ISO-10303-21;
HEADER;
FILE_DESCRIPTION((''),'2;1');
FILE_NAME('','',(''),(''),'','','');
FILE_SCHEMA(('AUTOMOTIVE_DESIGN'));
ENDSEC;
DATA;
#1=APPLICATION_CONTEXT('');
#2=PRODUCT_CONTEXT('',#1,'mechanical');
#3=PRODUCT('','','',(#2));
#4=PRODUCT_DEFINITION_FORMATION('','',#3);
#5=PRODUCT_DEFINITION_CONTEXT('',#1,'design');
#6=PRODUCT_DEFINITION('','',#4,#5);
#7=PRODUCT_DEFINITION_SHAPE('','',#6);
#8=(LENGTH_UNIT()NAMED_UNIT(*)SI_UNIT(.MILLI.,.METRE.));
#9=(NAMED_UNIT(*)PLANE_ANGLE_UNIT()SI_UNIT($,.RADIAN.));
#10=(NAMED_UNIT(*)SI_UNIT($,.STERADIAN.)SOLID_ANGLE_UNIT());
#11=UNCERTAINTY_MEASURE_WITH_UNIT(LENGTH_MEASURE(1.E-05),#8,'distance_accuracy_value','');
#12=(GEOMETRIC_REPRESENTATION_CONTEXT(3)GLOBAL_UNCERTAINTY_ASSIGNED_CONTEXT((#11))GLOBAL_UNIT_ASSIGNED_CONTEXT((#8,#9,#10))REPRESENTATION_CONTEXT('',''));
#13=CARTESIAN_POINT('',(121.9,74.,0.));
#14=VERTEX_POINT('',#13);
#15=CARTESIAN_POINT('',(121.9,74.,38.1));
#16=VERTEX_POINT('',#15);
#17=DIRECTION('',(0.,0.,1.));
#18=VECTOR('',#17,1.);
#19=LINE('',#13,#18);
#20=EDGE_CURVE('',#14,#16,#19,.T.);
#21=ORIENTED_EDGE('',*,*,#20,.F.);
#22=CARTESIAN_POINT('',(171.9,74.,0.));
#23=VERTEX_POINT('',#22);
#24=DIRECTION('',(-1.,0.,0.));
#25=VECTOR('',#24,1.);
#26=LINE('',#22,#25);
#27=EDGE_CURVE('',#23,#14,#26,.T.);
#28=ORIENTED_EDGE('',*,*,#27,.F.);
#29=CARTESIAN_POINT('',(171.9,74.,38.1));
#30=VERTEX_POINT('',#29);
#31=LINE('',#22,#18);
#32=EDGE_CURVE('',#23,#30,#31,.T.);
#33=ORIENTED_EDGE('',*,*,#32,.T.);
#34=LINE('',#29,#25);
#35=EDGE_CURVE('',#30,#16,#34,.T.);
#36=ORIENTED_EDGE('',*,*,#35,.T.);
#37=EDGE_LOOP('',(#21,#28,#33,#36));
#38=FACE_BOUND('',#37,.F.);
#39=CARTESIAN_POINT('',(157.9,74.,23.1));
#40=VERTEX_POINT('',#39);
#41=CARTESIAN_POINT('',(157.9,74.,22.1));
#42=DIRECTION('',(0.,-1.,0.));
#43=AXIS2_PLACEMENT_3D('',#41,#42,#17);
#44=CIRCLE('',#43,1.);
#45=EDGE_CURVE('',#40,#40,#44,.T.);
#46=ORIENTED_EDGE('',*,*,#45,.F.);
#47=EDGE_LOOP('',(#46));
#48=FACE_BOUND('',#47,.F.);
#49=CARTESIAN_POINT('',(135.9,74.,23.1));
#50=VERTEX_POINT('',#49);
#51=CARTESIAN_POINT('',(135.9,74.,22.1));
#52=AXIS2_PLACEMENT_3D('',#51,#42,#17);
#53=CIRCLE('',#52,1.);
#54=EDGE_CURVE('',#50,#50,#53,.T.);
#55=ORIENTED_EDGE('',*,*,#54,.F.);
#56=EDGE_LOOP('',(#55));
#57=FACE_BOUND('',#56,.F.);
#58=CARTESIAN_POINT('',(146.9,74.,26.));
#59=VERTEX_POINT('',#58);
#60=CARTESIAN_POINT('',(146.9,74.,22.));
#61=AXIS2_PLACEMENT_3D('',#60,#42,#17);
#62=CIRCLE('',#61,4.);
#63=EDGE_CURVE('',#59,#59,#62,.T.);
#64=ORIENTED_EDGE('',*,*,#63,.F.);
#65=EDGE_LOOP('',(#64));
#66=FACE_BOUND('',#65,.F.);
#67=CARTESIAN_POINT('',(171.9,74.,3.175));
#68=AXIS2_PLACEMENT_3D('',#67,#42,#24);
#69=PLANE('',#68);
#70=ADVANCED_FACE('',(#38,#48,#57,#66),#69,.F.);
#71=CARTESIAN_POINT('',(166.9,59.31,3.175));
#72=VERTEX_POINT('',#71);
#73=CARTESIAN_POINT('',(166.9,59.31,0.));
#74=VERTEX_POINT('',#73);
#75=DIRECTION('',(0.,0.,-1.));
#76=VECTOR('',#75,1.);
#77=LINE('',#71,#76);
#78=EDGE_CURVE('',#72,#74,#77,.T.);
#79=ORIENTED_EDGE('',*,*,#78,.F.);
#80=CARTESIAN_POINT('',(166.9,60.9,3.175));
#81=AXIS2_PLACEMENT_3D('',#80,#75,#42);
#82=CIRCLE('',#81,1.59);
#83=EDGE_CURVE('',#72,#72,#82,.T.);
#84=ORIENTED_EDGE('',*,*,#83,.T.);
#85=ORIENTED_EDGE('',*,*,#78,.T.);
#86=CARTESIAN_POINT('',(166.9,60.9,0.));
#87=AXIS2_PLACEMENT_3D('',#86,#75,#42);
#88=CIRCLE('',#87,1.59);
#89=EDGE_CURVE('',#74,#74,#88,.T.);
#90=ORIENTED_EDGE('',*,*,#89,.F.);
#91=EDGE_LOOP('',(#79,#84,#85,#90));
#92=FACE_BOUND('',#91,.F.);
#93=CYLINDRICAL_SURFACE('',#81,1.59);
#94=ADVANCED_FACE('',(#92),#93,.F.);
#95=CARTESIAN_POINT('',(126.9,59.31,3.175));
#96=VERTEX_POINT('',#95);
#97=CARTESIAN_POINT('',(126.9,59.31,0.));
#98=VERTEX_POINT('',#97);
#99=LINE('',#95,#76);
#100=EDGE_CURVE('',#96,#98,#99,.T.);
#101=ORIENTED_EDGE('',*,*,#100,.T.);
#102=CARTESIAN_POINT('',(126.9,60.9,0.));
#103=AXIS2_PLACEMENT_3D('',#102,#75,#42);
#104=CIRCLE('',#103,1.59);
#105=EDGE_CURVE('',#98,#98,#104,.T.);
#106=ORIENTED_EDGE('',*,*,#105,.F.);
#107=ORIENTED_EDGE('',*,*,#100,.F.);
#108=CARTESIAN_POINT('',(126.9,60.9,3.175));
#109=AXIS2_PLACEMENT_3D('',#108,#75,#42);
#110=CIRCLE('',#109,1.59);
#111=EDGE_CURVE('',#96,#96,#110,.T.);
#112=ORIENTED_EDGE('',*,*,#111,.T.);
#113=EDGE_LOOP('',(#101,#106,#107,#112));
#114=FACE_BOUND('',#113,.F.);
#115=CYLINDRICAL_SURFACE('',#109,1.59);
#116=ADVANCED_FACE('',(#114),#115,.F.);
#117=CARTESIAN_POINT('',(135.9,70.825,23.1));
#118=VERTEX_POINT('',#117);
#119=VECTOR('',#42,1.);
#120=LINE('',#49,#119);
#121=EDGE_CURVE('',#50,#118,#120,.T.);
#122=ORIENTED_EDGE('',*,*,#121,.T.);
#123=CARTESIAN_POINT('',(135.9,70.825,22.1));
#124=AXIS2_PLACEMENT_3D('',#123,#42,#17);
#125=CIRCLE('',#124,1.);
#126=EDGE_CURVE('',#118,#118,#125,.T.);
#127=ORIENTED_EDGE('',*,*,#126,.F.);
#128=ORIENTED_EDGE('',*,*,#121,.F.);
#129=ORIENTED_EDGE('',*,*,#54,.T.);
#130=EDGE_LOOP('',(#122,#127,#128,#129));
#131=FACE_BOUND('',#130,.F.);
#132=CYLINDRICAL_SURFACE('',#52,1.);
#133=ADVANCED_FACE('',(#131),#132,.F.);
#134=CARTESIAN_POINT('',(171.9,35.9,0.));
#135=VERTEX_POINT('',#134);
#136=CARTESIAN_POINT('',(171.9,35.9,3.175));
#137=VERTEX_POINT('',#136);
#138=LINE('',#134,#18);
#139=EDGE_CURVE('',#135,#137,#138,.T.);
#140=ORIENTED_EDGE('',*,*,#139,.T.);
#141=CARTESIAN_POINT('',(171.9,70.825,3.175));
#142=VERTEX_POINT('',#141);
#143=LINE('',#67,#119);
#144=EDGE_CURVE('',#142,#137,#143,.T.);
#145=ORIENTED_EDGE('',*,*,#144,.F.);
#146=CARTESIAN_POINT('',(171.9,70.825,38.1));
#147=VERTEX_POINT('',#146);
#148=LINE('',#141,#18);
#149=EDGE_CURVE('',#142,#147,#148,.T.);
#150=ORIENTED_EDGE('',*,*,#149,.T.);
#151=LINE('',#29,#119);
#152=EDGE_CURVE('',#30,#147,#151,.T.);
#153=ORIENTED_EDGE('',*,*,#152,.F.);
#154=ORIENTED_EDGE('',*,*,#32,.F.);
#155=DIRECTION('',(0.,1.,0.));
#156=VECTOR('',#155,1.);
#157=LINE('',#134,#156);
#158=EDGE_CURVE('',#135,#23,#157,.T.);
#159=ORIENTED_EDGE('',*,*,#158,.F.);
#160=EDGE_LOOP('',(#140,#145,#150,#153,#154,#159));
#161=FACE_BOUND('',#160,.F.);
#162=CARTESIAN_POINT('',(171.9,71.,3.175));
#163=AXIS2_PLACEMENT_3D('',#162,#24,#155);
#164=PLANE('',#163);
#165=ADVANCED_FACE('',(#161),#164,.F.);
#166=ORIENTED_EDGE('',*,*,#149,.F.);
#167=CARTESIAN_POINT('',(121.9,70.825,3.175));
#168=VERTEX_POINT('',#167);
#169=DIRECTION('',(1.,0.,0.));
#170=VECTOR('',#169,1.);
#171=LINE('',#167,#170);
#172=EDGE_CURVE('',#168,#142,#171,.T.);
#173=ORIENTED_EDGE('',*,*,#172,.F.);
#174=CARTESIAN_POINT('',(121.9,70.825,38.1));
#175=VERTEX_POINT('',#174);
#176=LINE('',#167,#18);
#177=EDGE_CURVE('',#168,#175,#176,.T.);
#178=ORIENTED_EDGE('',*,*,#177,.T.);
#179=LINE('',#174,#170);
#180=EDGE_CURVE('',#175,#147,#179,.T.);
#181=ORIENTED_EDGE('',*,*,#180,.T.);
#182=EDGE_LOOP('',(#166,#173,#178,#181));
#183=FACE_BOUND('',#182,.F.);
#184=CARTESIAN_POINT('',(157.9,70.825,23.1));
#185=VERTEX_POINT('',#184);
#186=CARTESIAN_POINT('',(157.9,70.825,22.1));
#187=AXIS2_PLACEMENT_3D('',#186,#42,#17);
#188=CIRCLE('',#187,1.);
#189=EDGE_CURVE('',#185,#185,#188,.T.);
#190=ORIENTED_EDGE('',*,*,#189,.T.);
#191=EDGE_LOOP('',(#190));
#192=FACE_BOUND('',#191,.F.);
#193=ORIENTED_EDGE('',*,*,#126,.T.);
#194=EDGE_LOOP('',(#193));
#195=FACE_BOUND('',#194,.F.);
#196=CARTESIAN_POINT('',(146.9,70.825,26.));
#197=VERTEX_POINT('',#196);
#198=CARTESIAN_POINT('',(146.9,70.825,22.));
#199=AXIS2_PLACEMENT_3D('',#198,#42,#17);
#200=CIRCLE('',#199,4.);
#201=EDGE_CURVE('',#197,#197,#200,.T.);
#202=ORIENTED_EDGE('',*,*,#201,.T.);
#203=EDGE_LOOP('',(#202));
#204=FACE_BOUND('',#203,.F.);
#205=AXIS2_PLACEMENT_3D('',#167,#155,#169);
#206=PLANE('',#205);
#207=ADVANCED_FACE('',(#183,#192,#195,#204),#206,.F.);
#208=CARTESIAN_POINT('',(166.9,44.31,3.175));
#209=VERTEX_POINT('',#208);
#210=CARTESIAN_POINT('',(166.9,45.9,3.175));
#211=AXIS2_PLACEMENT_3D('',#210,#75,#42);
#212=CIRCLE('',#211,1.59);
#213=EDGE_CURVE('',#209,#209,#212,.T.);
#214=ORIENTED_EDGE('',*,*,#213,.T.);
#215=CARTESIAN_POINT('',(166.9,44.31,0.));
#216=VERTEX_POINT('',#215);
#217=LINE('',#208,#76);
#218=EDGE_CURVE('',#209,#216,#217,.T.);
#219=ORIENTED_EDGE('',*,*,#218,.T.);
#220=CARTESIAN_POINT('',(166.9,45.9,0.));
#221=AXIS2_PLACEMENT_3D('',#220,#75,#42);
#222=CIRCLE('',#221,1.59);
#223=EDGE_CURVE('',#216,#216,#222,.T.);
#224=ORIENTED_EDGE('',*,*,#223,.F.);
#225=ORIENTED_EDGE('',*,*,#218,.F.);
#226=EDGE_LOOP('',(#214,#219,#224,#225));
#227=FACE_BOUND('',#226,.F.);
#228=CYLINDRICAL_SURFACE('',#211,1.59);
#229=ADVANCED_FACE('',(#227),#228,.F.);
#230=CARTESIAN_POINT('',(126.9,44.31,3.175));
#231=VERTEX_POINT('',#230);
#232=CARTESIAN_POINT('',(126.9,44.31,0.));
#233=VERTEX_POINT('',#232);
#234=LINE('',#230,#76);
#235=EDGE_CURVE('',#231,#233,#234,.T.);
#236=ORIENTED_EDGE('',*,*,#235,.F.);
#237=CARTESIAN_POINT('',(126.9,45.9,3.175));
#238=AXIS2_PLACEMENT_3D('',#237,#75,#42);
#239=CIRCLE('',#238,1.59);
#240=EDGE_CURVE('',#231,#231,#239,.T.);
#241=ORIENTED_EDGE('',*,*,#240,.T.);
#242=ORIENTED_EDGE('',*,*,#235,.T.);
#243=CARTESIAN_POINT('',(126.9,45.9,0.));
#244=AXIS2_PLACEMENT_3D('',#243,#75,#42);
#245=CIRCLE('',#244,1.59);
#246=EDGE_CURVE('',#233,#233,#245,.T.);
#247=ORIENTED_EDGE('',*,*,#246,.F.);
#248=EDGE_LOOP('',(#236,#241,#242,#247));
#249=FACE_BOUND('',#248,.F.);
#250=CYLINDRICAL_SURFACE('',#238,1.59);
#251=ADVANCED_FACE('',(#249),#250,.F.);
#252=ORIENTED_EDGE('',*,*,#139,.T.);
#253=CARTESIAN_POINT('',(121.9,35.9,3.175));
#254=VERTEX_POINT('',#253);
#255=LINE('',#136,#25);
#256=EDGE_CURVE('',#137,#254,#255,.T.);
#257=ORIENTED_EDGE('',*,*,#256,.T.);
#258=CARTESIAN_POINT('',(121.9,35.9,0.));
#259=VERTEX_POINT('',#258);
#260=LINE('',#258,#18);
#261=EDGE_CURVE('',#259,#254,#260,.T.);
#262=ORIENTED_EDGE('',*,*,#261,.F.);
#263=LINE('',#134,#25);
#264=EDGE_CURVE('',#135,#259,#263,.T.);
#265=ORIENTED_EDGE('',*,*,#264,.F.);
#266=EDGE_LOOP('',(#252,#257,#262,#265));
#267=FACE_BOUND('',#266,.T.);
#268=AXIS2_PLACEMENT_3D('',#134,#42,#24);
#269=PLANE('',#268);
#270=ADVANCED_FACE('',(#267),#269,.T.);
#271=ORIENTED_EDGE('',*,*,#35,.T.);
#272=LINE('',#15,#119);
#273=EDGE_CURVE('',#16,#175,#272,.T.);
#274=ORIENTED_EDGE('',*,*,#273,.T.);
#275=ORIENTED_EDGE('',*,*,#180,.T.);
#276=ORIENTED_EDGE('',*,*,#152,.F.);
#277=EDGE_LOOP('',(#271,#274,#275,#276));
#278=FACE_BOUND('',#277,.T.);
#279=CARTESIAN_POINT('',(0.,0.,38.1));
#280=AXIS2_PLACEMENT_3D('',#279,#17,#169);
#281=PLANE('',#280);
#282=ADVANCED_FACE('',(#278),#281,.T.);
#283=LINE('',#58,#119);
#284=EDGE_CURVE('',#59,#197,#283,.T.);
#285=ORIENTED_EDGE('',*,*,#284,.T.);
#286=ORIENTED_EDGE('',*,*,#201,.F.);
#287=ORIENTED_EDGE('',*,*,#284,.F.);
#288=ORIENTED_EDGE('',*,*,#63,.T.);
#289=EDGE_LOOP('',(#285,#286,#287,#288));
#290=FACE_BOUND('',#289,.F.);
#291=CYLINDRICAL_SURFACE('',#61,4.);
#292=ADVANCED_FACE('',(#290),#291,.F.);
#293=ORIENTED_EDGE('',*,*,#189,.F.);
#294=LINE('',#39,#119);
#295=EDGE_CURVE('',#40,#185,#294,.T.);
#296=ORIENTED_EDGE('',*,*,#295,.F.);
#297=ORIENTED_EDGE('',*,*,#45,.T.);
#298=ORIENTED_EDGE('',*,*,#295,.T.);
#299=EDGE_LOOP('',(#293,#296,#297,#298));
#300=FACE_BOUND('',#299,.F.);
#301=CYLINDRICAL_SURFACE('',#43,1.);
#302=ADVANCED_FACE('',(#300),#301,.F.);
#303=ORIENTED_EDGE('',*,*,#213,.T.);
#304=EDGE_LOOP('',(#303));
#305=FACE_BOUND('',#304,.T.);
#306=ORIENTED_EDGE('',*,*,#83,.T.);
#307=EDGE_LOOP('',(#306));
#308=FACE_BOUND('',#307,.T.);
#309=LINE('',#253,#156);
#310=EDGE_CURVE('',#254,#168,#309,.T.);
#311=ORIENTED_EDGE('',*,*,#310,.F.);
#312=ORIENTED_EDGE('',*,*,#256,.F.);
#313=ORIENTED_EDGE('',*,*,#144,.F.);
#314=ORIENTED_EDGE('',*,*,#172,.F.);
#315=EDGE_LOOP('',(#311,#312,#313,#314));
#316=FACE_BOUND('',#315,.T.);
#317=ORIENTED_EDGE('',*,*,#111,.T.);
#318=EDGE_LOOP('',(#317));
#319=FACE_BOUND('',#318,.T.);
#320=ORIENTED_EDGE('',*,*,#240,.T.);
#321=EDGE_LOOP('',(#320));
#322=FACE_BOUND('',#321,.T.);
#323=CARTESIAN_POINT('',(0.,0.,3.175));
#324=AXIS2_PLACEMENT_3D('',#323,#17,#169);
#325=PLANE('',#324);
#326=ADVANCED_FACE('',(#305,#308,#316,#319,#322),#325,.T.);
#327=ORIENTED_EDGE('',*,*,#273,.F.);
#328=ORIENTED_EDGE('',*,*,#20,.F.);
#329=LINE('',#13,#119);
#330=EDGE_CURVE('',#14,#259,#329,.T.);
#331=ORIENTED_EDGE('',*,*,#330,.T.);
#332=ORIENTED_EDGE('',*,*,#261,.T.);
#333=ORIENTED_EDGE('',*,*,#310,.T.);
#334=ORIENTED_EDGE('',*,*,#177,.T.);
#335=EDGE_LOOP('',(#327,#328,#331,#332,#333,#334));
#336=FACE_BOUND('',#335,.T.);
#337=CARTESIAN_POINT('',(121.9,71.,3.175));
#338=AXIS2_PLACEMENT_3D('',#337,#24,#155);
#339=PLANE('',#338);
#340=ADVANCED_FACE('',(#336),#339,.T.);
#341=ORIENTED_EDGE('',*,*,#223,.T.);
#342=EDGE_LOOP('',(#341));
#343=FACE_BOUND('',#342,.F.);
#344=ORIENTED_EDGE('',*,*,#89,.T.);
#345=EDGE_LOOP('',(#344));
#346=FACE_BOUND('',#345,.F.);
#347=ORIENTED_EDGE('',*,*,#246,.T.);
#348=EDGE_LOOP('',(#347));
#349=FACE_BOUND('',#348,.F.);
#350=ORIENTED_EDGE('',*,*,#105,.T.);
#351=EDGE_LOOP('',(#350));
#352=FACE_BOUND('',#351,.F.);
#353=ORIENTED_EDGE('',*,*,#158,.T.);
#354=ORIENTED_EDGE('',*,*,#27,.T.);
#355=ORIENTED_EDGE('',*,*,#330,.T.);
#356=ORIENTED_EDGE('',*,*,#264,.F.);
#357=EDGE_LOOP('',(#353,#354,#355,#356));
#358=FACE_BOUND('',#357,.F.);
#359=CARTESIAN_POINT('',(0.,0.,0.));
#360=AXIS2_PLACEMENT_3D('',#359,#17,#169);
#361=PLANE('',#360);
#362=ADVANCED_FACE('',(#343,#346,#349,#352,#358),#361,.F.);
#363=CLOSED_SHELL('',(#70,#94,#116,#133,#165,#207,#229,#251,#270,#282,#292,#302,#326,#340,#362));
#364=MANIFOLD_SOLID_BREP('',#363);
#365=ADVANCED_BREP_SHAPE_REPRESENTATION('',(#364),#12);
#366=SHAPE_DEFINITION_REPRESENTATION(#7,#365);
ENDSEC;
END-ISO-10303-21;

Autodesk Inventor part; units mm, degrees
ref_plane "YZ Plane" through (0, 0, 0) normal (1, 0, 0) x (0, 1, 0)
ref_plane "XZ Plane" through (0, 0, 0) normal (0, 1, 0) x (-1, 0, 0)
ref_plane "XY Plane" through (0, 0, 0) normal (0, 0, 1) x (1, 0, 0)
sketch "Sketch1" plane through (0, 0, 0) normal (0, 0, 1) x (1, 0, 0)
  line L0 (-200, 100) -> (200, 100) projected
  line L1 (-200, -100) -> (-200, 100) projected
  line L2 (200, -100) -> (-200, -100) projected
  line L3 (121.9, 74) -> (121.9, 71)
  line L4 (171.9, 74) -> (121.9, 74)
  line L5 (171.9, 71) -> (171.9, 35.9)
  line L6 (121.9, 71) -> (171.9, 71)
  line L7 (121.9, 71) -> (121.9, 35.9)
  line L8 (171.9, 35.9) -> (121.9, 35.9)
  line L9 (171.9, 71) -> (171.9, 35.9)
  line L10 (171.9, 74) -> (171.9, 71)
  line L11 (121.9, 35.9) -> (171.9, 35.9)
  line L12 (171.9, 35.9) -> (171.9, 71)
  line L13 (171.9, 71) -> (121.9, 71)
  line L14 (121.9, 71) -> (121.9, 35.9)
  point P0 (0, 0)
extrude "Extrusion1" add sketch "Sketch1" along normal blind 3.175
sketch "Sketch2" plane through (0, 0, 3.175) normal (0, 0, 1) x (1, 0, 0)
  line L0 (171.9, 74) -> (121.9, 74) projected
  line L1 (171.9, 35.9) -> (171.9, 74) projected
  line L2 (121.9, 74) -> (171.9, 74)
  line L3 (171.9, 74) -> (171.9, 71)
  line L4 (121.9, 71) -> (121.9, 74)
  line L5 (121.9, 71) -> (121.9, 70.825)
  line L6 (121.9, 74) -> (121.9, 35.9) projected
  line L7 (121.9, 70.825) -> (171.9, 70.825)
  line L8 (171.9, 71) -> (171.9, 70.825)
  line L9 (171.9, 71) -> (171.9, 70.825)
  point P0 (0, 0)
  dimension "d3" = 3
  dimension "d54" = 0.175
extrude "Extrusion2" add sketch "Sketch2" along normal blind 34.925
sketch "Sketch3" plane through (121.9, 74, 0) normal (0, 1, 0) x (1, 0, 0)
  line L0 (50, 0) -> (0, 0) projected
  line L1 (0, 0) -> (0, -38.1) projected
  line L2 (50, -38.1) -> (0, -38.1) projected
  line L3 (50, 0) -> (50, -38.1) projected
  line L4 (50, -3.175) -> (50, -38.1) projected
  line L5 (0, -38.1) -> (0, -19.225)
  line L6 (50, -19.05) -> (60.9839, -19.05)
  line L7 (0, -38.1) -> (0, -22.1)
  line L8 (0, -22.1) -> (14, -22.1)
  line L9 (36, -22.1) -> (36, -22)
  point P0 (-121.9, 0)
  point P1 (14, -22)
  dimension "d55" = 16
sketch "Sketch4" plane through (121.9, 74, 0) normal (0, 1, 0) x (1, 0, 0)
  line L0 (50, 0) -> (0, 0) projected
  line L1 (0, 0) -> (0, -38.1) projected
  line L2 (50, -38.1) -> (0, -38.1) projected
  line L3 (50, 0) -> (50, -38.1) projected
  line L4 (0, -38.1) -> (0, -22.1)
  line L5 (25, -22) -> (25, -22)
  point P0 (-121.9, 0)
  dimension "d56" = 16
hole "Hole2" at (146.9, 74, 22) direction (0, -1, 0) diameter 8 end through all
hole "Hole3" at (135.9, 74, 22.1) at (157.9, 74, 22.1) direction (0, -1, 0) diameter 2 end through all
sketch "Sketch5" plane through (0, 0, 3.175) normal (0, 0, 1) x (1, 0, 0)
  line L0 (121.9, 70.825) -> (121.9, 35.9) projected
  line L1 (121.9, 35.9) -> (171.9, 35.9) projected
  line L2 (171.9, 35.9) -> (171.9, 70.825) projected
  line L3 (171.9, 70.825) -> (121.9, 70.825) projected
  line L4 (121.9, 35.9) -> (171.9, 35.9) projected
  line L5 (171.9, 35.9) -> (167.9, 35.9)
  line L6 (171.9, 35.9) -> (166.9, 35.9)
  circle A0 centre (166.9, 45.9) radius 1.5
  circle A1 centre (166.9, 60.9) radius 1.5
  circle A2 centre (126.9, 60.9) radius 1.5
  circle A3 centre (126.9, 45.9) radius 1.5
  line L7 (121.9, 35.9) -> (121.9, 45.9)
  point P0 (0, 0)
  dimension "d70" = 5
hole "Hole5" at (166.9, 45.9, 3.175) at (166.9, 60.9, 3.175) at (126.9, 60.9, 3.175) at (126.9, 45.9, 3.175) direction (0, 0, -1) diameter 3.18 end through all
properties part number "Suporte motor sensor"
